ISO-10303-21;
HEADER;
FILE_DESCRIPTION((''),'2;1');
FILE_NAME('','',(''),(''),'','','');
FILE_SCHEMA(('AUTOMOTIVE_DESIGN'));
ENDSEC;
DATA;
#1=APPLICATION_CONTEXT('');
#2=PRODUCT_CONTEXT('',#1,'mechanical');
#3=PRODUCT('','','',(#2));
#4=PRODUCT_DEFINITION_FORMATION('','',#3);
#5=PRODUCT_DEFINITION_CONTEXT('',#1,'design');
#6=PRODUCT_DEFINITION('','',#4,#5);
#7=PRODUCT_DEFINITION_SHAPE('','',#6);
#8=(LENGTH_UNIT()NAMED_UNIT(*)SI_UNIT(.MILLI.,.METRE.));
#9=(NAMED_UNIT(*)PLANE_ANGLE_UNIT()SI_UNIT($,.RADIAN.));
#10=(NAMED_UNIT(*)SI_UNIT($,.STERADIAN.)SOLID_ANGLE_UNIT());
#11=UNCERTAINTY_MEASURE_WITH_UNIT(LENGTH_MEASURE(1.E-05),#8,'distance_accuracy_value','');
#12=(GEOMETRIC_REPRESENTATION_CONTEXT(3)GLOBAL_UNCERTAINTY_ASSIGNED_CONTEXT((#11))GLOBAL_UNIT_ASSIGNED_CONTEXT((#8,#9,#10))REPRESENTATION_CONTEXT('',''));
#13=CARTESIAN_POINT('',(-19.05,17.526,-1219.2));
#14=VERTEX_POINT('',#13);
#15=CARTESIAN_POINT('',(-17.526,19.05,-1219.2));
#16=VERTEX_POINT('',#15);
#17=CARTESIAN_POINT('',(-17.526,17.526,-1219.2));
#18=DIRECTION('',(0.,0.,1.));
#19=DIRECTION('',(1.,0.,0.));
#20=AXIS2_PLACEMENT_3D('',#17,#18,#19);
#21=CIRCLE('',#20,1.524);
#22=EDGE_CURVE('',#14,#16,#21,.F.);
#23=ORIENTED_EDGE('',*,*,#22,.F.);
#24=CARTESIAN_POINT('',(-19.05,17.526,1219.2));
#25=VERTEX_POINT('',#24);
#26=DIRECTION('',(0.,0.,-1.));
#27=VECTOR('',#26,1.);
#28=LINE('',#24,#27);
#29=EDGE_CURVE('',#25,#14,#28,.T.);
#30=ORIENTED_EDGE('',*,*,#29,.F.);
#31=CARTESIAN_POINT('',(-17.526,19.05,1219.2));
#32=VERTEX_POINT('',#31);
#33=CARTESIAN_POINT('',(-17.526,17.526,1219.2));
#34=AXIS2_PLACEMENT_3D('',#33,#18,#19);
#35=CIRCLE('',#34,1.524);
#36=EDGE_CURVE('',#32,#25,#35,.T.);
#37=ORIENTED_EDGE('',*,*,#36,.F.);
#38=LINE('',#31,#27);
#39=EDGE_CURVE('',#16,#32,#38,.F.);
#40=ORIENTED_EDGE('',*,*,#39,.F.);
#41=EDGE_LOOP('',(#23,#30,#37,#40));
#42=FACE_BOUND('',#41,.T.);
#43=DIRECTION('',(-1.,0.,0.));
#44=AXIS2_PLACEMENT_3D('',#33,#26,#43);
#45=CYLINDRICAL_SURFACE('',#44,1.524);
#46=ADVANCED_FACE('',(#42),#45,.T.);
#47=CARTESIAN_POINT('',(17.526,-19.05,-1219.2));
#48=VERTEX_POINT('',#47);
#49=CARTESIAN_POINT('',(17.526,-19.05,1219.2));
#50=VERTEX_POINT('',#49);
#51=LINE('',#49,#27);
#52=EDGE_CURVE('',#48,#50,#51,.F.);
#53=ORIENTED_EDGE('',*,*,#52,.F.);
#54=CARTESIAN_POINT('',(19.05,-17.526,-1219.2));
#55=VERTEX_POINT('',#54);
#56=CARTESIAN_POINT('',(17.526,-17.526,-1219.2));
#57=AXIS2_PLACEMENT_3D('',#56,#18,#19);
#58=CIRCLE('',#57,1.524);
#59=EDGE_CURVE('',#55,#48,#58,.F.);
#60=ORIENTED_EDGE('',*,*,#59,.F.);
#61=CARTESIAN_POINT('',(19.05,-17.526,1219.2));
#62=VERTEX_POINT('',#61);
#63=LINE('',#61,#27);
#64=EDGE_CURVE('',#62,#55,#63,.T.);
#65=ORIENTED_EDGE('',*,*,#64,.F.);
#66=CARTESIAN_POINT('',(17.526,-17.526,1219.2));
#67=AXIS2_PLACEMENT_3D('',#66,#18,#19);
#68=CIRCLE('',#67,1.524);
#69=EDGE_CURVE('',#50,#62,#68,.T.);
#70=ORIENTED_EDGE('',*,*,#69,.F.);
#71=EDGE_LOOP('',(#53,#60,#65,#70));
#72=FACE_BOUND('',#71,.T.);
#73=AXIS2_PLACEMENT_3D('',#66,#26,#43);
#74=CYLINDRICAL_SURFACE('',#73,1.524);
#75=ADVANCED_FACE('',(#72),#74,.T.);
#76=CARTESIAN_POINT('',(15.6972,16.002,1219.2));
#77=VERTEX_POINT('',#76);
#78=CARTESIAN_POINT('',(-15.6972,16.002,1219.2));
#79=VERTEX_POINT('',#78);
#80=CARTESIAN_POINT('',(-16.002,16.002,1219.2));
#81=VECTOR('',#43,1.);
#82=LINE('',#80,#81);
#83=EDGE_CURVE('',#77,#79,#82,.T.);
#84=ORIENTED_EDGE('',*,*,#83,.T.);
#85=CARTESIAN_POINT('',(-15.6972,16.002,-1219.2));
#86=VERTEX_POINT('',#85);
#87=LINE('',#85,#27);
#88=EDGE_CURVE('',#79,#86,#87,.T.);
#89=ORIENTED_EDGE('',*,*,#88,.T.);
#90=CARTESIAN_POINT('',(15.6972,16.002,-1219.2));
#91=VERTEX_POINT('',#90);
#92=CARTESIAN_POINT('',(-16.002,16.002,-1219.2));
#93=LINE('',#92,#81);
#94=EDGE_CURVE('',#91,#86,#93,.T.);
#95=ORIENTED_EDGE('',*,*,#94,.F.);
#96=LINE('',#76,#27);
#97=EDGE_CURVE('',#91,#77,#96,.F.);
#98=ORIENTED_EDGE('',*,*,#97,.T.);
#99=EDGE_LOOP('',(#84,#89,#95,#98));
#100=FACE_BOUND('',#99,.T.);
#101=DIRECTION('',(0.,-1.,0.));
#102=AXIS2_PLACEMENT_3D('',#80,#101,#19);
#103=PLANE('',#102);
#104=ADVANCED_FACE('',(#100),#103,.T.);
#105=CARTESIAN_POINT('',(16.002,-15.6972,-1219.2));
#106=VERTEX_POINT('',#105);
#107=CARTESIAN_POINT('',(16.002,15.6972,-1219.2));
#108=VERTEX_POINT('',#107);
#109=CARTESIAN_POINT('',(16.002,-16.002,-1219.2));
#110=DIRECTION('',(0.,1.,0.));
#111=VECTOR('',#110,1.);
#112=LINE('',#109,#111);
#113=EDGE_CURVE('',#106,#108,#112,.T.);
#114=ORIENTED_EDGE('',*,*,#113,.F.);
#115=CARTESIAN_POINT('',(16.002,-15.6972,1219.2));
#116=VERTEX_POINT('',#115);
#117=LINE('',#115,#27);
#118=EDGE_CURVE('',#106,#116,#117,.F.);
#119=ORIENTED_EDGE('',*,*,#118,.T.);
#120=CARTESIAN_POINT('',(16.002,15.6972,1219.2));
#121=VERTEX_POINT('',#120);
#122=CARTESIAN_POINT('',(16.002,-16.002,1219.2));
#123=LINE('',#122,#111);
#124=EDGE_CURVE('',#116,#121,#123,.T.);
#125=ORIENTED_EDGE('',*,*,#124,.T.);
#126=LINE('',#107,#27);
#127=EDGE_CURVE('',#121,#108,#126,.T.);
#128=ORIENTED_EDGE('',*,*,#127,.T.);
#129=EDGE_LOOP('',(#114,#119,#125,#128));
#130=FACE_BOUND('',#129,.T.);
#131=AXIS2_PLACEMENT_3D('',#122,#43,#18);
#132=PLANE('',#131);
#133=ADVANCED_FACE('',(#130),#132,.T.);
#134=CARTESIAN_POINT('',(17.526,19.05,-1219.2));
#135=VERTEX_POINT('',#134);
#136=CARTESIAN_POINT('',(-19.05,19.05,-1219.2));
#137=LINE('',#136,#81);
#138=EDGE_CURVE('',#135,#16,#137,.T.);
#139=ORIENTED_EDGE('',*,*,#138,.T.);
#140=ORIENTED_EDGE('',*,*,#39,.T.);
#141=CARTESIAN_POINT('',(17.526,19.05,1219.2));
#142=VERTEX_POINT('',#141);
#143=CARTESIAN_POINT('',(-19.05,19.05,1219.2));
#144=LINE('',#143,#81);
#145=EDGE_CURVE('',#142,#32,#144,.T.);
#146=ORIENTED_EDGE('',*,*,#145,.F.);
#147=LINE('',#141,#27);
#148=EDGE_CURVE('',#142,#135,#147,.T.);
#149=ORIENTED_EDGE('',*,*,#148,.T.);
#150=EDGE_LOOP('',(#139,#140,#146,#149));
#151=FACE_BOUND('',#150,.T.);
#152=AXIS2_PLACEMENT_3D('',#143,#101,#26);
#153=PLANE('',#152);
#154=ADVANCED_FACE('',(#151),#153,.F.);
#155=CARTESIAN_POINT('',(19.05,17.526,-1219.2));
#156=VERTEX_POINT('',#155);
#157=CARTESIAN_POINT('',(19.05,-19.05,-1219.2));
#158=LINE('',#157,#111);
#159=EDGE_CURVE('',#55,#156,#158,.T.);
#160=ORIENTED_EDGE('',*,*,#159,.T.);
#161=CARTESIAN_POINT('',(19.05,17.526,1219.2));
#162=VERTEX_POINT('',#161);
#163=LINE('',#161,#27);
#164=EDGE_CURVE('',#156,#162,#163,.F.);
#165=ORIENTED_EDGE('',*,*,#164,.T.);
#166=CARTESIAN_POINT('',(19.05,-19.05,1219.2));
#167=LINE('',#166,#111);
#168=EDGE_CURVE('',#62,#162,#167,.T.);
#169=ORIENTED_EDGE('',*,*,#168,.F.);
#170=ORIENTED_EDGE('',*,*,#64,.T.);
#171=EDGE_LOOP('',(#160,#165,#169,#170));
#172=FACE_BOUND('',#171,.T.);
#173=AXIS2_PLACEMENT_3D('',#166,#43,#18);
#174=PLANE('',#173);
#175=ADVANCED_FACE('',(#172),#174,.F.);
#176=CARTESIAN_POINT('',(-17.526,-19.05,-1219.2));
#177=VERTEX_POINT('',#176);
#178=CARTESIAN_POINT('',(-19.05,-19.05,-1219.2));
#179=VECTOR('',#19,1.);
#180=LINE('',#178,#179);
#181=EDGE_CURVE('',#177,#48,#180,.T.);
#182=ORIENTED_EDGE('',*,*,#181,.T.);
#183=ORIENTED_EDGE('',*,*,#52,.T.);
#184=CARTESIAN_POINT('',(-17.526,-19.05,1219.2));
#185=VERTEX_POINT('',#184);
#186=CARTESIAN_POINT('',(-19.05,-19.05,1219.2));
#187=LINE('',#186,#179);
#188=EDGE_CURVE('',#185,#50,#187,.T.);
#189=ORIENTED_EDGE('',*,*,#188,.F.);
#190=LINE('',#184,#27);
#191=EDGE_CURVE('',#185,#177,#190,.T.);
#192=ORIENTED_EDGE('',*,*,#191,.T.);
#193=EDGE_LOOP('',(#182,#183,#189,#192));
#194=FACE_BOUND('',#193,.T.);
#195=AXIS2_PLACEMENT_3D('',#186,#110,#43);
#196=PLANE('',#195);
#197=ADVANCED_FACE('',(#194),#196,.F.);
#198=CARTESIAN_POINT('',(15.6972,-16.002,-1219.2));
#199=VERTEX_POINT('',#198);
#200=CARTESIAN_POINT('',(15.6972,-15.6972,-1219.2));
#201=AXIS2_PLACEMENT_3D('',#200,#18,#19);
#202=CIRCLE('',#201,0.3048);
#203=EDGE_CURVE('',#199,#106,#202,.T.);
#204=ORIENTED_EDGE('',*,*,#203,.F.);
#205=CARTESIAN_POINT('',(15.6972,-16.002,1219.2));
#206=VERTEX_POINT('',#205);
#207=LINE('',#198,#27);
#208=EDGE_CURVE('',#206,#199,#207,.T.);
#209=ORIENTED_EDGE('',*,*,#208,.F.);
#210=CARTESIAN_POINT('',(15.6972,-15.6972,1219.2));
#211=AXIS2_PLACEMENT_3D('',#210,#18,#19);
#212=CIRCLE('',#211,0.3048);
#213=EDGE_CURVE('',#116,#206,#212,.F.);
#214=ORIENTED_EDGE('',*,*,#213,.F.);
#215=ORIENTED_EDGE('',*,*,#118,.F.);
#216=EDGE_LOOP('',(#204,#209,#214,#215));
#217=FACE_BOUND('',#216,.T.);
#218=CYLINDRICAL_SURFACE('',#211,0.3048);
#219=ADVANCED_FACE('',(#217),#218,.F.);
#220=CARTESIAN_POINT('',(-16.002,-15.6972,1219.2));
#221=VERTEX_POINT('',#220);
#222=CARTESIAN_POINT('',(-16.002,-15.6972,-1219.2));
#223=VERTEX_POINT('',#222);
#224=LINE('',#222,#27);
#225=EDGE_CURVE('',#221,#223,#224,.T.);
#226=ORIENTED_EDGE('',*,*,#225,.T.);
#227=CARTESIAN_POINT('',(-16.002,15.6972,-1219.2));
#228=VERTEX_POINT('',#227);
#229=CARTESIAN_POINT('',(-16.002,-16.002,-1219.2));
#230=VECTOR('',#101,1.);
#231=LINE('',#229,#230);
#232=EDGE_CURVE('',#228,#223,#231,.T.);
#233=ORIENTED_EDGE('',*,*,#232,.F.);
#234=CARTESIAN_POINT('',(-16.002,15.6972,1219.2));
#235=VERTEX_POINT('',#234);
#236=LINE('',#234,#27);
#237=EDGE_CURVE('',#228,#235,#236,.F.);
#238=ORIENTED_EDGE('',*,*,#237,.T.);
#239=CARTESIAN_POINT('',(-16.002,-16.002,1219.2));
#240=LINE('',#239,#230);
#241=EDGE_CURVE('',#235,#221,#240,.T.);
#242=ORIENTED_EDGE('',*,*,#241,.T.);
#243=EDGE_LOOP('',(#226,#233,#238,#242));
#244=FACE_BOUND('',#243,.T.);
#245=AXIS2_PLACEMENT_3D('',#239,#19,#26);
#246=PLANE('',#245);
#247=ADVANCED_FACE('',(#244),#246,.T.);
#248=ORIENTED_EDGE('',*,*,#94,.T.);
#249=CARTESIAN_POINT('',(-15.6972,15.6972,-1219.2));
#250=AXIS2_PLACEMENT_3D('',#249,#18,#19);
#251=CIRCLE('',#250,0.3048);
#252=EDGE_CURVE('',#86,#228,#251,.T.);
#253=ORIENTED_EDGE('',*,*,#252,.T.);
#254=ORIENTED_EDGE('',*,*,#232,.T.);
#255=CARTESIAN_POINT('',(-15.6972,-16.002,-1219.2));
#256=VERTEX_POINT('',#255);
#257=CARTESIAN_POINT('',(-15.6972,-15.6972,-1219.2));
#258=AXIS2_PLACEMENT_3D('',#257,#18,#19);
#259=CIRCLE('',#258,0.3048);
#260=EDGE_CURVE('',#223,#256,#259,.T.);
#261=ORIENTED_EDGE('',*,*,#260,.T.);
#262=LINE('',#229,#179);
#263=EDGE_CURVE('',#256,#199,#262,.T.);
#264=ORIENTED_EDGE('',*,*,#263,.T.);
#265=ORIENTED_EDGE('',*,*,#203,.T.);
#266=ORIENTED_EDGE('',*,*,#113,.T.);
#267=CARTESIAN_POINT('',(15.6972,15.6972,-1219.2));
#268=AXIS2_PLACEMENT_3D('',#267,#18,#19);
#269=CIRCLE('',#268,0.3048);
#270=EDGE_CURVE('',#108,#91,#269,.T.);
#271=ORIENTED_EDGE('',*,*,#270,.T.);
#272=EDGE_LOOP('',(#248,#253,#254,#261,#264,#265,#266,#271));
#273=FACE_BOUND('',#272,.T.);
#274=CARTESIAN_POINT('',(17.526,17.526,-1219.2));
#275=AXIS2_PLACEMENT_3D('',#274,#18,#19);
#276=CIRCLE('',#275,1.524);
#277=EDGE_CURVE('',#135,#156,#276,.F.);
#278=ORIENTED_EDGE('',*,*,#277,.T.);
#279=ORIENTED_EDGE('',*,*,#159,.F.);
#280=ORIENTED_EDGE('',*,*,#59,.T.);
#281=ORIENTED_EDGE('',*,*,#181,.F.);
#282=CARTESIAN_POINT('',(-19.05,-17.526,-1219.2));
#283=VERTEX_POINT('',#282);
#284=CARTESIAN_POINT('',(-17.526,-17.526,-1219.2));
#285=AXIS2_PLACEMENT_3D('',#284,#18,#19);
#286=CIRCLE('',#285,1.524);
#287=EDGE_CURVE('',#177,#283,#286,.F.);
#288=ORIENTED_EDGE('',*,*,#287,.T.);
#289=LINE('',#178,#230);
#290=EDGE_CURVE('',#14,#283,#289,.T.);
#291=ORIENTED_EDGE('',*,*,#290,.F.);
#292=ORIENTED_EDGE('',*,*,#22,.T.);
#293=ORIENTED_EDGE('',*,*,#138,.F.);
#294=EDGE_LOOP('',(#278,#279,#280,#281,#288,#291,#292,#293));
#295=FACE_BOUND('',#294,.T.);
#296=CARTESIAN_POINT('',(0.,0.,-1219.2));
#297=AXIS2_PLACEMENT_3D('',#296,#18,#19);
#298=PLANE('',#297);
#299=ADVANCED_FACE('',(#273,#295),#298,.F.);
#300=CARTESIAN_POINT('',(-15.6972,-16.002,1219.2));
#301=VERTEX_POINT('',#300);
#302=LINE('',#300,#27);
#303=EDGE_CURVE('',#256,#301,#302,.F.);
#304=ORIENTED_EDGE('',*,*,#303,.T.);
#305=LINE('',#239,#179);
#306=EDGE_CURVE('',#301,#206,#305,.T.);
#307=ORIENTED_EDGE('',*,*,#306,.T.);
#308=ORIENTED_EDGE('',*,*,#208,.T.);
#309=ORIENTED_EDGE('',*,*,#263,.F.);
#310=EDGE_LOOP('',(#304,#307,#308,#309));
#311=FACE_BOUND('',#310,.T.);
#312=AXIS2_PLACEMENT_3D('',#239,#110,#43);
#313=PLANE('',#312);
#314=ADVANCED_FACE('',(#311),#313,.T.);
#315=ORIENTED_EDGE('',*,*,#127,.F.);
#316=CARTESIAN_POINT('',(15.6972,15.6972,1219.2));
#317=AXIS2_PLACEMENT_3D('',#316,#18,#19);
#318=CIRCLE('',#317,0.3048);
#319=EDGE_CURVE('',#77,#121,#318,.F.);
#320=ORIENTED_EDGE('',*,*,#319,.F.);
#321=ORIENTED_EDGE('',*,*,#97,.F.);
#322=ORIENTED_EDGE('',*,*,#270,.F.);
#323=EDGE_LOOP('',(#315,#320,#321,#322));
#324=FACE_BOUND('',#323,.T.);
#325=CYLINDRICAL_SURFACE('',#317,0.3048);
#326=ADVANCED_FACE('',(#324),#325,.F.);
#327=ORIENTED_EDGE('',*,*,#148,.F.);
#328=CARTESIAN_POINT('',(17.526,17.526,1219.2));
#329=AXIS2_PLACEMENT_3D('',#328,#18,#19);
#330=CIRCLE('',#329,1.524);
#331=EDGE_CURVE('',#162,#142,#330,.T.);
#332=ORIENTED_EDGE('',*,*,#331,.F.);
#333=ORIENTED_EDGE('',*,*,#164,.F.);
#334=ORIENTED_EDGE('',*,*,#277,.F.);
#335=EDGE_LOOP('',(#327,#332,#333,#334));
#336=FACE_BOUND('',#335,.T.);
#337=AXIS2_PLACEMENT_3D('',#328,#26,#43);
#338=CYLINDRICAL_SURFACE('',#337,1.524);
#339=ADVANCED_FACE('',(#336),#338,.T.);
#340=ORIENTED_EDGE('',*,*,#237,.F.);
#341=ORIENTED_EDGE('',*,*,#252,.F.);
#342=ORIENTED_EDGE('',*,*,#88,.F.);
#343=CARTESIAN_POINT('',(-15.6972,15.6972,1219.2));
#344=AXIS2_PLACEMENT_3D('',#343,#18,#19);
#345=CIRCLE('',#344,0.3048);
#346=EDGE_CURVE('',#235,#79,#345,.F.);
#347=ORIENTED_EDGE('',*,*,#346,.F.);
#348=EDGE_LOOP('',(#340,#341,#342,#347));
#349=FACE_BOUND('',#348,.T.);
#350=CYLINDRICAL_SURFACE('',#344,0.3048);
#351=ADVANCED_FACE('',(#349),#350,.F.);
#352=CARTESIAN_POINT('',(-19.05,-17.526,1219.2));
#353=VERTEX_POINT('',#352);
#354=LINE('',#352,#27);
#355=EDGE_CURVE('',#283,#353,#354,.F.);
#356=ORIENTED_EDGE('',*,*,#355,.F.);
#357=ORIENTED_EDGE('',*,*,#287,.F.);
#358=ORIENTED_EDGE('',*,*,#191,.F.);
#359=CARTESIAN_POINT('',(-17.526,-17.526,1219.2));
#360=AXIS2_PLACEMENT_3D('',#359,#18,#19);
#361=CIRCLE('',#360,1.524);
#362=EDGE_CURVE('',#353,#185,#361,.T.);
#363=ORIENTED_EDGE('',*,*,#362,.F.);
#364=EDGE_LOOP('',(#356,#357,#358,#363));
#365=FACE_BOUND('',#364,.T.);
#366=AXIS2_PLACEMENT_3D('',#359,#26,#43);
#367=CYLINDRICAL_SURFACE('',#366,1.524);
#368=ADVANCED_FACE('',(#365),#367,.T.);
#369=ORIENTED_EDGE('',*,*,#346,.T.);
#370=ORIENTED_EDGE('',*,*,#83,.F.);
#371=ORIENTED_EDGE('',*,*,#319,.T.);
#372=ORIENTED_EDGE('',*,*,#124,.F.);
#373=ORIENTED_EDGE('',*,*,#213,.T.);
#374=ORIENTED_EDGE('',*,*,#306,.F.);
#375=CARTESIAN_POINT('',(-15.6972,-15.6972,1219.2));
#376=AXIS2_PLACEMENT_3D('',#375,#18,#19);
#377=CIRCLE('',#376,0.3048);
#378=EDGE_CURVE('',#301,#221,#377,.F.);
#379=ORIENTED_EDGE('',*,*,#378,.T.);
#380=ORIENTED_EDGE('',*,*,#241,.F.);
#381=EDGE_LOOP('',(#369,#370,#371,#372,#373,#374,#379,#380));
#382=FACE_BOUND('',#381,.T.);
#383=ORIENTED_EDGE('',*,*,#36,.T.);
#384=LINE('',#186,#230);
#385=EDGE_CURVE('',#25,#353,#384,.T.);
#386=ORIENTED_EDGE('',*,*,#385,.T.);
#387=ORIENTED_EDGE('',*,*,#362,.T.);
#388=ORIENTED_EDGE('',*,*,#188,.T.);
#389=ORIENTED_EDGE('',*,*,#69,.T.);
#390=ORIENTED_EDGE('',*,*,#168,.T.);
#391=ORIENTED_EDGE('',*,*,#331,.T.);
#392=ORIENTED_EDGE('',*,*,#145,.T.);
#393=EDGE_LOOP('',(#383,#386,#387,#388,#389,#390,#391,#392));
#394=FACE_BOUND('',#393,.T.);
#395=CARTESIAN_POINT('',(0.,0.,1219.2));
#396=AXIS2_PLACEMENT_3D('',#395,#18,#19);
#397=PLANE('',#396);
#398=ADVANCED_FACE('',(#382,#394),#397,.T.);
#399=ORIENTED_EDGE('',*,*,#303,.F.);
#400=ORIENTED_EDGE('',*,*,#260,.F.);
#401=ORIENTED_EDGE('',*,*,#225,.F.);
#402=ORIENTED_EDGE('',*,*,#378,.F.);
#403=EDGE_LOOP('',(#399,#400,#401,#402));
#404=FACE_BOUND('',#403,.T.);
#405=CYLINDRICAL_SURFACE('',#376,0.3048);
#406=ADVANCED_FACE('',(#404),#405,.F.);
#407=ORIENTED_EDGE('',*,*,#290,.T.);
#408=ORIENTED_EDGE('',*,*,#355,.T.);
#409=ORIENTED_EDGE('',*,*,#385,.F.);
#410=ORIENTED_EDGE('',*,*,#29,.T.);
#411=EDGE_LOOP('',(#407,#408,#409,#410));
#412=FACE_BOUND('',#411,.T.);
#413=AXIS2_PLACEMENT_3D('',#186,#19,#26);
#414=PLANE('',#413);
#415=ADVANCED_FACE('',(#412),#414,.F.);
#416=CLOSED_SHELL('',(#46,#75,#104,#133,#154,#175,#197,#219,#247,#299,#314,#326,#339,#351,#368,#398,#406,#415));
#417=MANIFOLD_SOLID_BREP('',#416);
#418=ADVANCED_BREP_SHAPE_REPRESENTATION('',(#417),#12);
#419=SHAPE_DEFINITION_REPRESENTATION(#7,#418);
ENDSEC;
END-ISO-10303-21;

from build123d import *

# Parameters (mm, degrees)
SKETCH3_W                = 38.1
SKETCH3_H                = 38.1
SKETCH3_W_2              = 32.004
SKETCH3_H_2              = 32.004
BOSS_EXTRUDE1_DEPTH      = 1219.2
BOSS_EXTRUDE1_DEPTH_BACK = 1219.2
FILLET1_R                = 1.524
FILLET2_R                = 0.3048


with BuildPart() as part:
    # Sketch3 → Boss-Extrude1 (new body, two sides)
    with BuildSketch(Plane.XY) as boss_extrude1_sk:
        Rectangle(SKETCH3_W, SKETCH3_H)
        Rectangle(SKETCH3_W_2, SKETCH3_H_2, mode=Mode.SUBTRACT)
    extrude(amount=BOSS_EXTRUDE1_DEPTH)
    extrude(boss_extrude1_sk.sketch, amount=-BOSS_EXTRUDE1_DEPTH_BACK)

    # Fillet1
    fillet1_edges = [part.edges().sort_by_distance(p)[0] for p in [
        (-19.05, -19.05, 0),
        (-19.05, 19.05, 0),
        (19.05, 19.05, 0),
        (19.05, -19.05, 0),
    ]]
    fillet(fillet1_edges, radius=FILLET1_R)

    # Fillet2
    fillet2_edges = [part.edges().sort_by_distance(p)[0] for p in [
        (-16.002, -16.002, 0),
        (16.002, -16.002, 0),
        (16.002, 16.002, 0),
        (-16.002, 16.002, 0),
    ]]
    fillet(fillet2_edges, radius=FILLET2_R)


solid = part.part
